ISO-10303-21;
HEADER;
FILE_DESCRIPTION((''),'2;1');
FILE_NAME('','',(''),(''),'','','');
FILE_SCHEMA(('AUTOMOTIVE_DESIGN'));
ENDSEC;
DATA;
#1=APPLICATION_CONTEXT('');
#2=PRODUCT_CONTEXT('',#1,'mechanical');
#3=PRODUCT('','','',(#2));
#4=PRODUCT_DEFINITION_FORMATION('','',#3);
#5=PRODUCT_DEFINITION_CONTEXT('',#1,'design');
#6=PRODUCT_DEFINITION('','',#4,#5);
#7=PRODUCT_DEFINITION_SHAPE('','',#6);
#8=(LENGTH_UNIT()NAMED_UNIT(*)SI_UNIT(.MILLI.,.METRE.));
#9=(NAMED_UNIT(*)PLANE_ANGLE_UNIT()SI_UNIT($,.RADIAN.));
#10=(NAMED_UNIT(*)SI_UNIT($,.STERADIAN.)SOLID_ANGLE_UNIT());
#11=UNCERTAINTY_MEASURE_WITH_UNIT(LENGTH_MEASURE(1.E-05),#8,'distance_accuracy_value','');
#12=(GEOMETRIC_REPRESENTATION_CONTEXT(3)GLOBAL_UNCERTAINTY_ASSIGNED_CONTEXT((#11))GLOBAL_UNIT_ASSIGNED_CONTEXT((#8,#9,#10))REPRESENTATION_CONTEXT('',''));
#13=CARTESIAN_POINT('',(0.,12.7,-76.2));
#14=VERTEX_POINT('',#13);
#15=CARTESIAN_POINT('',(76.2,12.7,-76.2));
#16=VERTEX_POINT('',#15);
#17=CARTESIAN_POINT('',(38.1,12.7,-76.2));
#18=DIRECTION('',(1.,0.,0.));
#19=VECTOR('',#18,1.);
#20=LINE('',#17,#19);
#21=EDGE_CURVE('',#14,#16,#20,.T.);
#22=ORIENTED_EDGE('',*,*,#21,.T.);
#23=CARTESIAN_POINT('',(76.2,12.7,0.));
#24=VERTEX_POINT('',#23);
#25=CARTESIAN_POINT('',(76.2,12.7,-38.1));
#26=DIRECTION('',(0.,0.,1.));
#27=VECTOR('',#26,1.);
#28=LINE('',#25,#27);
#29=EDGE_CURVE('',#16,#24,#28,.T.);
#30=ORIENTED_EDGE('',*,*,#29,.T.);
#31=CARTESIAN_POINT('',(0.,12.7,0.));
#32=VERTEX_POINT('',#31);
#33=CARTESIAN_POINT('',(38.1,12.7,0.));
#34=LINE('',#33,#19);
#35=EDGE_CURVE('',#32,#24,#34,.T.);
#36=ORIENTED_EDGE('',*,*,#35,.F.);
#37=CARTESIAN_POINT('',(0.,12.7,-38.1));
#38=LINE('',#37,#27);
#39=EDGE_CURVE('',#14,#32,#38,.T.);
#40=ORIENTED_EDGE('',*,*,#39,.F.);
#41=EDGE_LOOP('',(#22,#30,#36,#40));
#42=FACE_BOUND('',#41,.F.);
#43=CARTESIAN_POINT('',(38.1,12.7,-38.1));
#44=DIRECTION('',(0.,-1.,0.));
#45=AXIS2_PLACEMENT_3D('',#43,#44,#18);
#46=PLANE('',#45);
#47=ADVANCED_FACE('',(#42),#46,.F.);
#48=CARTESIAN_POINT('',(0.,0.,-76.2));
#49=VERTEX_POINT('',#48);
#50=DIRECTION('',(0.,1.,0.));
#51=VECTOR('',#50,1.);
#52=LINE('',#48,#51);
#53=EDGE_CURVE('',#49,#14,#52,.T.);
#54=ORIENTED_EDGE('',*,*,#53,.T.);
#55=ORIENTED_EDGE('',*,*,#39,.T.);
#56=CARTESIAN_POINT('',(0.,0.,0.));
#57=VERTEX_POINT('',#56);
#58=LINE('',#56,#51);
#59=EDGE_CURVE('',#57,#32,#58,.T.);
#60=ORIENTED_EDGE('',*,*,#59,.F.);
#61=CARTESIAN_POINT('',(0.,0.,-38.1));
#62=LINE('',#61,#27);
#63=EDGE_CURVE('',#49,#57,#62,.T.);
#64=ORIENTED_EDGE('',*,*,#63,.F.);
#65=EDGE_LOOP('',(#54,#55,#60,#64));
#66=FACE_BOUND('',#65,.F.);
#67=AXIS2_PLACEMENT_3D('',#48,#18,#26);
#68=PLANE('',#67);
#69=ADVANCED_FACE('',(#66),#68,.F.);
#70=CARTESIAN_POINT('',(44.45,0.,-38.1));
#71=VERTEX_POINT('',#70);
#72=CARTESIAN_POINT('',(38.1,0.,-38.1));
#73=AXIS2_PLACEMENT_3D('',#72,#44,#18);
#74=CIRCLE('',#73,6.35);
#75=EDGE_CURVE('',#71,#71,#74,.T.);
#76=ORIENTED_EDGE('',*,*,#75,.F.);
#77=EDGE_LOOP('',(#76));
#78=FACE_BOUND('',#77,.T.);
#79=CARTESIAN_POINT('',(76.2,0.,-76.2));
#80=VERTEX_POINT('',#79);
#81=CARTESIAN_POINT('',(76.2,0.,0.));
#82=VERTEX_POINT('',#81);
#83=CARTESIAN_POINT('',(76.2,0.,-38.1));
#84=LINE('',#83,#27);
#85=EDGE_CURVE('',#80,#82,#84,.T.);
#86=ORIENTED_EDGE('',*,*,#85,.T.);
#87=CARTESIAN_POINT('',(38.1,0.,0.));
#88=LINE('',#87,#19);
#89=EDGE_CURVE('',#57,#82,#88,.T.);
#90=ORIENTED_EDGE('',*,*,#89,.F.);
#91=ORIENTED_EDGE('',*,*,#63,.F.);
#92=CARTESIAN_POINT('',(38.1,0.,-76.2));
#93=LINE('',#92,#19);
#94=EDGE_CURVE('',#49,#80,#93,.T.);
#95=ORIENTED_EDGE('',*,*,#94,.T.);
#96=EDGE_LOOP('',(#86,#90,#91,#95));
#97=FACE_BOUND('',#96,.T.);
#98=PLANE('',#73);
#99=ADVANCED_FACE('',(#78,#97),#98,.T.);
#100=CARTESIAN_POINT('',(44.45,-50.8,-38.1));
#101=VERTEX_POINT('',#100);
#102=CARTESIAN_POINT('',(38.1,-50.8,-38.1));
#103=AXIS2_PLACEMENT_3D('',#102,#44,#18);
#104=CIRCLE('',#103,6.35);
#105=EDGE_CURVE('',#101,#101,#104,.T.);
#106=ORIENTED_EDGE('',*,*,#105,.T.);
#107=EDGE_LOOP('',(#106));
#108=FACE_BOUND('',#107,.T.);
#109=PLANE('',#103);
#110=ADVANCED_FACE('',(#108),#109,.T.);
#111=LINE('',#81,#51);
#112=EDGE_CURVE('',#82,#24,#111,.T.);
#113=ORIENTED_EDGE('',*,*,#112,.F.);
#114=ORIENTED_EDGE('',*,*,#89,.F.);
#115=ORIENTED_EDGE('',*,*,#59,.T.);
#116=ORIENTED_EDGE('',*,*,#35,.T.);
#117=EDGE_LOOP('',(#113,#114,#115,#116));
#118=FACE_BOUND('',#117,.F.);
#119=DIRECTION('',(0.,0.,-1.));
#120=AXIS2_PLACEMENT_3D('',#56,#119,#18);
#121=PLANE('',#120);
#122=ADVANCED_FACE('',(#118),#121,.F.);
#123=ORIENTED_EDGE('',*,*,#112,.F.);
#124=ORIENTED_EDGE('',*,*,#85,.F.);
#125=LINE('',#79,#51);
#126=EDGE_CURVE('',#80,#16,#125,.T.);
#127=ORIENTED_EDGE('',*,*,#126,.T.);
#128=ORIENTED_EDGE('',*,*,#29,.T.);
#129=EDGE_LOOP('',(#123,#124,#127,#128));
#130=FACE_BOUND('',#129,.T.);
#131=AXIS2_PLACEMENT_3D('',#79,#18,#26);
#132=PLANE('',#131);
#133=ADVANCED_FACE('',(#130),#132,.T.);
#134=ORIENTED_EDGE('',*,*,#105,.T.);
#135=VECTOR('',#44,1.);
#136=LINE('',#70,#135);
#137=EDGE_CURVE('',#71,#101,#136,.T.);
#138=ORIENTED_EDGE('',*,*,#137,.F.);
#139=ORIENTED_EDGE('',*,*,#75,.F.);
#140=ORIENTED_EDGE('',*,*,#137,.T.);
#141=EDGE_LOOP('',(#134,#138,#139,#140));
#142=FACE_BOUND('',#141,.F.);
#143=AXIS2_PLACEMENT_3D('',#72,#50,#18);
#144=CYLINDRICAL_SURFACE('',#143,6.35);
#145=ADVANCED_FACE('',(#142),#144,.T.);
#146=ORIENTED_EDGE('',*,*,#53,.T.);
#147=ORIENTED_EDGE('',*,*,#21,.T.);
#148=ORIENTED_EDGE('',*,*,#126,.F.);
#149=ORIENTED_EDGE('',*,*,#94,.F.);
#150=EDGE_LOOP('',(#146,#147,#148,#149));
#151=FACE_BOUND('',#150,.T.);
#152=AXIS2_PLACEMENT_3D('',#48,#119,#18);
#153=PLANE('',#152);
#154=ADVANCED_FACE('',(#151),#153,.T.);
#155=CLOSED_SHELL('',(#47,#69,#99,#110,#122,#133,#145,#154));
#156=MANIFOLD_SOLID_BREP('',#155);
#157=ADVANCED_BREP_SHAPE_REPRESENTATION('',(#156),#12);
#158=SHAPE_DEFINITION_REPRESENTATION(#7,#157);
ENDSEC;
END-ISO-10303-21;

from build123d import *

# Parameters (mm, degrees)
F0_W          = 76.2
F0_H          = 76.2
F0_R          = 6.35
F1_DEPTH      = 12.7
F2_DEPTH      = 50.8
F2_DEPTH_BACK = 12.7


with BuildPart() as f1:
    # F0 (on Front) → F1 (new body)
    with BuildSketch(Plane.XZ):
        with Locations((38.1, -38.1)):
            Rectangle(F0_W, F0_H)
        with Locations((38.1, -38.1)):
            Circle(F0_R, mode=Mode.SUBTRACT)
    extrude(amount=-F1_DEPTH)

    # F0 (on Front) → F2 (join, two sides)
    with BuildSketch(Plane.XZ) as f2_sk:
        with Locations((38.1, -38.1)):
            Circle(F0_R)
    extrude(amount=F2_DEPTH)
    extrude(f2_sk.sketch, amount=-F2_DEPTH_BACK)


solid = f1.part
